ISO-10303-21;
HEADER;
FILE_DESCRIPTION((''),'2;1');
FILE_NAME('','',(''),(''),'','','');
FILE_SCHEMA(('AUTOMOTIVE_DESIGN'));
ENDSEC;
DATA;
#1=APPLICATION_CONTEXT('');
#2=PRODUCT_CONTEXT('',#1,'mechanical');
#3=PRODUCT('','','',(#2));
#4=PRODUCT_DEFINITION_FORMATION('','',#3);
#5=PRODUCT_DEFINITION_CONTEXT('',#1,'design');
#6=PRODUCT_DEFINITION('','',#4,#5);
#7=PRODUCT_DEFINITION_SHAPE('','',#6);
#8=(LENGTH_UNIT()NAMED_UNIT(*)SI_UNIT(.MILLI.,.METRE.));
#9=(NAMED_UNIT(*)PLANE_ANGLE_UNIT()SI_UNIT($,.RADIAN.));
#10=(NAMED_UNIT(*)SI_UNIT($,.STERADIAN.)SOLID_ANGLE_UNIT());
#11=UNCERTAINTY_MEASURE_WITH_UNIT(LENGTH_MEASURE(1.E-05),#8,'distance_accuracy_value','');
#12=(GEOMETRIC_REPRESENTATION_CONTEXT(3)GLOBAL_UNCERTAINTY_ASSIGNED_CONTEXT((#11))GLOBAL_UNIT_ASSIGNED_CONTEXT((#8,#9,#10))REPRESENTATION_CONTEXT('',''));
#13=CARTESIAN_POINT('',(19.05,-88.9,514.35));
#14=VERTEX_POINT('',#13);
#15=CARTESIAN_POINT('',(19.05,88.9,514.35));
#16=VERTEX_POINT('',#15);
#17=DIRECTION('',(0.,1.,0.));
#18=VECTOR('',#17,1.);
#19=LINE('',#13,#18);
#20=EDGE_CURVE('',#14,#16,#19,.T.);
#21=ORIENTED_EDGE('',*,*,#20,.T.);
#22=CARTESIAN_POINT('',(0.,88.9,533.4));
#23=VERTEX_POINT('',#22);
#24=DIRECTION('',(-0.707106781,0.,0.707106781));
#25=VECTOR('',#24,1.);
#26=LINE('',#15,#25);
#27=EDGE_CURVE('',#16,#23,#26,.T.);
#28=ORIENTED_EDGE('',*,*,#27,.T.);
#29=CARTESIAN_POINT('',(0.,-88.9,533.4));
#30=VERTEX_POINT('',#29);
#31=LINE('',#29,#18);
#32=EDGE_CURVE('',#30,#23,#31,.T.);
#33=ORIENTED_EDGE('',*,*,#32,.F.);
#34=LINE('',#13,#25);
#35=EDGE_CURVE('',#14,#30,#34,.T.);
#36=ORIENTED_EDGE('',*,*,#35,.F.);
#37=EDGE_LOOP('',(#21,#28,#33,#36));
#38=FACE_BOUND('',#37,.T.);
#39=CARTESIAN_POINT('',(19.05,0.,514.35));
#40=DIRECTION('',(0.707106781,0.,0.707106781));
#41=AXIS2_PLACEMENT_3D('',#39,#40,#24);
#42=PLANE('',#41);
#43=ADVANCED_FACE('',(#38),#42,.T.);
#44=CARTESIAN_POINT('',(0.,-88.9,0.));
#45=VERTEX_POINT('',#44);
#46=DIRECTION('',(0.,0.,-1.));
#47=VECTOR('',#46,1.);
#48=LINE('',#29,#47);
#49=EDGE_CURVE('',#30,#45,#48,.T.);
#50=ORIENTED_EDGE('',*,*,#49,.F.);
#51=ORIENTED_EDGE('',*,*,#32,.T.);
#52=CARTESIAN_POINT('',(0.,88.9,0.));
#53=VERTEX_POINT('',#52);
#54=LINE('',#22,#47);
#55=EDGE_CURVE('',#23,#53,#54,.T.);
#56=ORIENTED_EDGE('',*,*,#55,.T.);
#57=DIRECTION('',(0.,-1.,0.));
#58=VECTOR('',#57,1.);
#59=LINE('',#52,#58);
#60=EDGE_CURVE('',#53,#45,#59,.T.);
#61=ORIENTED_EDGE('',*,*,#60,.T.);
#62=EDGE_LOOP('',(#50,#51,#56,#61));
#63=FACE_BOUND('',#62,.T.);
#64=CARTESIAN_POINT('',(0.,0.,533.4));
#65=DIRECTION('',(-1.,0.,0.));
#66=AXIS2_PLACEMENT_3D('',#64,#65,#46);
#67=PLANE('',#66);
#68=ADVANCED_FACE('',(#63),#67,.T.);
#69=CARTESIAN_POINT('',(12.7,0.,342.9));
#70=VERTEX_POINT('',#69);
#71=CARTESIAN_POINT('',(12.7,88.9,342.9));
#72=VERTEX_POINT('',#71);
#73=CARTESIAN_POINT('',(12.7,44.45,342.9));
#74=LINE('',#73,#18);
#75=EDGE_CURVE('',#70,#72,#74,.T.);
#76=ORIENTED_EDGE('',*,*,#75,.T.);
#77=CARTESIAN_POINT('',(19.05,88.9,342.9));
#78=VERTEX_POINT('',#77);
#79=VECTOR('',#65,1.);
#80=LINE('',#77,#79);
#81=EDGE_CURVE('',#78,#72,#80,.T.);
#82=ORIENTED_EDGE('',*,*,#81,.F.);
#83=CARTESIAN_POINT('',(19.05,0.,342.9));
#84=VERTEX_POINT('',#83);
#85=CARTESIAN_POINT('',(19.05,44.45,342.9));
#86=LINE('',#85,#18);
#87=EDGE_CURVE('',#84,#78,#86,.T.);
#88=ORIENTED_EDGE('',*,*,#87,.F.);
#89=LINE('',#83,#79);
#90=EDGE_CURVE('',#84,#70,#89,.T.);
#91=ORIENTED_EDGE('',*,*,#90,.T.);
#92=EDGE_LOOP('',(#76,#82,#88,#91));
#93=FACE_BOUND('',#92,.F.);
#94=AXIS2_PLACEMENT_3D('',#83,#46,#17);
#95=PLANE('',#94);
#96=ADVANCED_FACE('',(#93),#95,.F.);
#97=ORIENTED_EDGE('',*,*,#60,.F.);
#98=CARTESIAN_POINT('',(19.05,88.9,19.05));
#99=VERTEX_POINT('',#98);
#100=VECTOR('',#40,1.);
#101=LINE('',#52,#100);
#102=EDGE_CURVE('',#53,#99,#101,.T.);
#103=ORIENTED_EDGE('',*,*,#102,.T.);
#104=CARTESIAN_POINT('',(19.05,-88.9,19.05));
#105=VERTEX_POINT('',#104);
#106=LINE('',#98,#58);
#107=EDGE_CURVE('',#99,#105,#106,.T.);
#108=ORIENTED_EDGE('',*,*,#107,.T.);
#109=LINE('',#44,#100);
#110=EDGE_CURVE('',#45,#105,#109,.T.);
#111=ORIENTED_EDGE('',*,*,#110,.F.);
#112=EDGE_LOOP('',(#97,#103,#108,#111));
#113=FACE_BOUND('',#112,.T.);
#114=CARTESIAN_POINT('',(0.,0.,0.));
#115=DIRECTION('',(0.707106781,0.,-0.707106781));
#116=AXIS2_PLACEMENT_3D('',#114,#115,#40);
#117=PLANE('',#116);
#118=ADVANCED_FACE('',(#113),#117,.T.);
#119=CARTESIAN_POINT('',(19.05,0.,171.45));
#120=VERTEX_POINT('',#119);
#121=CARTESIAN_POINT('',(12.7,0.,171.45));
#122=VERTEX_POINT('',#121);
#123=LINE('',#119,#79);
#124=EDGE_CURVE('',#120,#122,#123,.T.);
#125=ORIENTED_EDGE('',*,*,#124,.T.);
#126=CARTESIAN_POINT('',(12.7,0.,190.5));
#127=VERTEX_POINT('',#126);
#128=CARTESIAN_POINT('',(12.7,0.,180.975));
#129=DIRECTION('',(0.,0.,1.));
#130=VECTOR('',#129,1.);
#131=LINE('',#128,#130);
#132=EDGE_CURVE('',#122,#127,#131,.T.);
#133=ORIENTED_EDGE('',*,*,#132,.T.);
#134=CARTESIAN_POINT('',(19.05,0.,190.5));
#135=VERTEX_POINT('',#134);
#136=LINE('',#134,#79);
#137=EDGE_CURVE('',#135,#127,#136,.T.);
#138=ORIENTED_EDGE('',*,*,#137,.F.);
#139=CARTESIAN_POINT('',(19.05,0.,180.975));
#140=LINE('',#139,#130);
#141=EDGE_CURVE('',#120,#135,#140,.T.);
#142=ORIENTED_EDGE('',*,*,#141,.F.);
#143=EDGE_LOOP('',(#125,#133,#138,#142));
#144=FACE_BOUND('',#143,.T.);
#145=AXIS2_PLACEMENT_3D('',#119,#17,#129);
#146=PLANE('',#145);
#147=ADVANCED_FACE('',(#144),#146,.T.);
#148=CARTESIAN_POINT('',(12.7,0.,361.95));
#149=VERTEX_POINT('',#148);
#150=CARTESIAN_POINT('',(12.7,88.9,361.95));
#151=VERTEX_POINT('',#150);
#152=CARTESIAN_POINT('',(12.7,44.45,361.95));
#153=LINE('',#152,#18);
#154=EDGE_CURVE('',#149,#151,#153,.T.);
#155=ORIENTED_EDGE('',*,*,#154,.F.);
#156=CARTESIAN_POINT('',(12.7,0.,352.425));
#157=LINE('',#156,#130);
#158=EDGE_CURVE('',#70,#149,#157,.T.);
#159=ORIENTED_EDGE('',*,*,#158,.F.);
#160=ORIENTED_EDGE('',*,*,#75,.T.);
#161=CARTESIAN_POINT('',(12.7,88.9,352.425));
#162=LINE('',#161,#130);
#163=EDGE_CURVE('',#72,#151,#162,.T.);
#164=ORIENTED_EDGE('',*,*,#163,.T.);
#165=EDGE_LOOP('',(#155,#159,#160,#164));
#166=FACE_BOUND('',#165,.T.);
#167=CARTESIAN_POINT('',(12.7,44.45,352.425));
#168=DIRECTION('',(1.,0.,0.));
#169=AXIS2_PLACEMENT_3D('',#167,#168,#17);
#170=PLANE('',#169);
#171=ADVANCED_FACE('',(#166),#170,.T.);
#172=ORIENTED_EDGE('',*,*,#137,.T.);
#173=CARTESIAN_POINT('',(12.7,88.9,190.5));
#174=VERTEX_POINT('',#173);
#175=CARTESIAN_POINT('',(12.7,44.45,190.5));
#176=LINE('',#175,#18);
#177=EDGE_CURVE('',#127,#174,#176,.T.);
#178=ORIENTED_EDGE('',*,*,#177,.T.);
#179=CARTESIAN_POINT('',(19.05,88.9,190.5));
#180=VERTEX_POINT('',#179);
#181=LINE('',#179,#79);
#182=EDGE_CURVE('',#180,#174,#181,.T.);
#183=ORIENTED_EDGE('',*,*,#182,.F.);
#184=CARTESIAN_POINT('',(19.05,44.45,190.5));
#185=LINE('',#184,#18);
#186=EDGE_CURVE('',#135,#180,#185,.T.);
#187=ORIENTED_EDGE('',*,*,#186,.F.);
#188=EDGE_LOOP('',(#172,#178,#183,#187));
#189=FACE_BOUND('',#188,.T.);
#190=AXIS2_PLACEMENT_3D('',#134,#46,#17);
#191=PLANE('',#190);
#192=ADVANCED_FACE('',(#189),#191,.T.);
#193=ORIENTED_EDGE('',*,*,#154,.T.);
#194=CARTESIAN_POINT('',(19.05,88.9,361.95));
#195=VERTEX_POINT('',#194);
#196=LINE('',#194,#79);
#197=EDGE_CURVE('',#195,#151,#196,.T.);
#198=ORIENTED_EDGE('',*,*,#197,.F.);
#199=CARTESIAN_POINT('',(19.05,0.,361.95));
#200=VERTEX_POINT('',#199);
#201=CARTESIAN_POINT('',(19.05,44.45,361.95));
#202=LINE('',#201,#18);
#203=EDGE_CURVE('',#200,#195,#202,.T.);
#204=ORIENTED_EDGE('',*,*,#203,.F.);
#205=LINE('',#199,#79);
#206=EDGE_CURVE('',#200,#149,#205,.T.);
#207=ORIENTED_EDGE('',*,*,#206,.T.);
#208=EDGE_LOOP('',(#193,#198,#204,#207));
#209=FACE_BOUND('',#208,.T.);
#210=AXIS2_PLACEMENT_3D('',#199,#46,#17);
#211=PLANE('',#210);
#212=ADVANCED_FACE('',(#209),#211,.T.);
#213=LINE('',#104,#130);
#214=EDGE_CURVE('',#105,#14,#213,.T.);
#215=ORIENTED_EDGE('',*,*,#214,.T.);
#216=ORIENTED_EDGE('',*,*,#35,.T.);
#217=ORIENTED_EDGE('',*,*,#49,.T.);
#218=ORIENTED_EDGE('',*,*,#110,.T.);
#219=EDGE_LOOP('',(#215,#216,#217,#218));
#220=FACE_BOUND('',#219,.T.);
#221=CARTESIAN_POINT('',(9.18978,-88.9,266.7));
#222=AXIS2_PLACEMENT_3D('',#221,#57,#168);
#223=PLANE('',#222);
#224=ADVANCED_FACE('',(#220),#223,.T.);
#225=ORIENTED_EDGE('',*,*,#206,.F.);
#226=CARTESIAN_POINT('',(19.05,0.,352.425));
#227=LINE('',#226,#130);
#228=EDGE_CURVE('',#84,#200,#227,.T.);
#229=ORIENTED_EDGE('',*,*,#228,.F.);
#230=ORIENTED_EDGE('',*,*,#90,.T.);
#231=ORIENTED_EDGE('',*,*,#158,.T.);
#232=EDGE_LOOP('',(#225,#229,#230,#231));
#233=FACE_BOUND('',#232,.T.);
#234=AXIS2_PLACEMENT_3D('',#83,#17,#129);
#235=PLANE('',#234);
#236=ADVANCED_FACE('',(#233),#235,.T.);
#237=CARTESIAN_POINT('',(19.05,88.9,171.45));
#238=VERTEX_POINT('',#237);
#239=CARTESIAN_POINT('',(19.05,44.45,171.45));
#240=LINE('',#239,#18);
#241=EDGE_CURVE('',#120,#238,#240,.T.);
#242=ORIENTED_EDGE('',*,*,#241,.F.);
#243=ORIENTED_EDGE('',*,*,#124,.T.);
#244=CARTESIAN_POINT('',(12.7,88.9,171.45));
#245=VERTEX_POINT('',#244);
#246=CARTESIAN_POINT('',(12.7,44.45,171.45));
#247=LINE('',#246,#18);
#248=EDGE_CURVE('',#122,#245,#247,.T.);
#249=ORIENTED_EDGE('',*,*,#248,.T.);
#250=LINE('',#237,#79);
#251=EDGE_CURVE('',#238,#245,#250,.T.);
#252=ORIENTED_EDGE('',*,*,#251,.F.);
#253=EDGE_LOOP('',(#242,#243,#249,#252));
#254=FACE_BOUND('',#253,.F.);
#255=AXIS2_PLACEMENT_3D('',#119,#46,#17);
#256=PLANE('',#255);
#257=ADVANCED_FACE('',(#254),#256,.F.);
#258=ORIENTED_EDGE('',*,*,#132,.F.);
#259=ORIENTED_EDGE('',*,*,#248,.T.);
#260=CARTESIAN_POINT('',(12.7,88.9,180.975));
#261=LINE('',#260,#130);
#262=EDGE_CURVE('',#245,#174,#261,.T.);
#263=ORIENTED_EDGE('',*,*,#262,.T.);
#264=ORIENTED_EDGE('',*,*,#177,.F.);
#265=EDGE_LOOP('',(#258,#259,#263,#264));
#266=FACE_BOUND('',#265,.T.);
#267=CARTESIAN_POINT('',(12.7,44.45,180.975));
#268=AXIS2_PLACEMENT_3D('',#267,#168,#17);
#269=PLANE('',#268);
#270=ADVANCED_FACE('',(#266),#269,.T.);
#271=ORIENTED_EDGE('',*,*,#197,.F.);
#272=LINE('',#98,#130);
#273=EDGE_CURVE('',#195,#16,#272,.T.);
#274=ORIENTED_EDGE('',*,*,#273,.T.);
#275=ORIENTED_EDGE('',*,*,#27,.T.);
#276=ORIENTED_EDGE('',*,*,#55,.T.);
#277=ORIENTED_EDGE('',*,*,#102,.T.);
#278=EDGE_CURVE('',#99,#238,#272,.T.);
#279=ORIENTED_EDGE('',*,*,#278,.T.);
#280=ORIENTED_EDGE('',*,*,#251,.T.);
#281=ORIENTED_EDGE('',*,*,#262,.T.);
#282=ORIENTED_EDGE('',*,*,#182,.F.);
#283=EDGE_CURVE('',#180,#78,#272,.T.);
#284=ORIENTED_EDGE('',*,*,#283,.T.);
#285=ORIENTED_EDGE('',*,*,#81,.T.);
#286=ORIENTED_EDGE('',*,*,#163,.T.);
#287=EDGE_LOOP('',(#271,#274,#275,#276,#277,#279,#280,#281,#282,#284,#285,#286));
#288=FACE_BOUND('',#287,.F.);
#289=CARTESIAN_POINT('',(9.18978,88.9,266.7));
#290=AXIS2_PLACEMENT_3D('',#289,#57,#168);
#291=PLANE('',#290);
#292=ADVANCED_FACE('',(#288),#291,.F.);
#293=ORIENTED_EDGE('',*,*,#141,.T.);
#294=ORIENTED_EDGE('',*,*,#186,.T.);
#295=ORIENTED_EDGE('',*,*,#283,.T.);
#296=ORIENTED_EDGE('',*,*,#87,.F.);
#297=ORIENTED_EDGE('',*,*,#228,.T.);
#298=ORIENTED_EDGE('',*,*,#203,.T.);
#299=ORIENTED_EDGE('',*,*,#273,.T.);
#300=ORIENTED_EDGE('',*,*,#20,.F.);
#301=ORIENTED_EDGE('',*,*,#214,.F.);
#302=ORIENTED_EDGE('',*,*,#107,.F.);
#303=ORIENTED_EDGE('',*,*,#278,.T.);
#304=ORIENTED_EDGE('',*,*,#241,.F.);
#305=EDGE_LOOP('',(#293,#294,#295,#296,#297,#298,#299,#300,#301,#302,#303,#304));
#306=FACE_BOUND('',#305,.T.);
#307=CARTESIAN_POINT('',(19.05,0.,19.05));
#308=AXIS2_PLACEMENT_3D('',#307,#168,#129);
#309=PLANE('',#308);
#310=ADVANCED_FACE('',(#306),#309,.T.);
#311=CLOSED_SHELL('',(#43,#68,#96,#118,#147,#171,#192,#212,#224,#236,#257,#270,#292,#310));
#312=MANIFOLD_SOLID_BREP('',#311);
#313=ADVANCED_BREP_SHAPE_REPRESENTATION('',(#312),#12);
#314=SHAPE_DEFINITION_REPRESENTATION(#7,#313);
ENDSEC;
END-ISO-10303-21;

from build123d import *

# Parameters (mm, degrees)
F1_DEPTH = 88.9
F2_W     = 88.9
F2_H     = 19.05
F3_DEPTH = 6.35


with BuildPart() as f1:
    # F0 (on Front) → F1 (new body, symmetric)
    with BuildSketch(Plane.XZ):
        Polygon((0, 533.4), (0, 0), (19.05, 19.05), (19.05, 514.35), align=None)
    extrude(amount=F1_DEPTH, both=True)

    # F2 (on face) → F3 (cut)
    with BuildSketch(Plane.YZ.offset(19.05)):
        with Locations((44.45, 180.975)):
            Rectangle(F2_W, F2_H)
        with Locations((44.45, 352.425)):
            Rectangle(F2_W, F2_H)
    extrude(amount=-F3_DEPTH, mode=Mode.SUBTRACT)


solid = f1.part
